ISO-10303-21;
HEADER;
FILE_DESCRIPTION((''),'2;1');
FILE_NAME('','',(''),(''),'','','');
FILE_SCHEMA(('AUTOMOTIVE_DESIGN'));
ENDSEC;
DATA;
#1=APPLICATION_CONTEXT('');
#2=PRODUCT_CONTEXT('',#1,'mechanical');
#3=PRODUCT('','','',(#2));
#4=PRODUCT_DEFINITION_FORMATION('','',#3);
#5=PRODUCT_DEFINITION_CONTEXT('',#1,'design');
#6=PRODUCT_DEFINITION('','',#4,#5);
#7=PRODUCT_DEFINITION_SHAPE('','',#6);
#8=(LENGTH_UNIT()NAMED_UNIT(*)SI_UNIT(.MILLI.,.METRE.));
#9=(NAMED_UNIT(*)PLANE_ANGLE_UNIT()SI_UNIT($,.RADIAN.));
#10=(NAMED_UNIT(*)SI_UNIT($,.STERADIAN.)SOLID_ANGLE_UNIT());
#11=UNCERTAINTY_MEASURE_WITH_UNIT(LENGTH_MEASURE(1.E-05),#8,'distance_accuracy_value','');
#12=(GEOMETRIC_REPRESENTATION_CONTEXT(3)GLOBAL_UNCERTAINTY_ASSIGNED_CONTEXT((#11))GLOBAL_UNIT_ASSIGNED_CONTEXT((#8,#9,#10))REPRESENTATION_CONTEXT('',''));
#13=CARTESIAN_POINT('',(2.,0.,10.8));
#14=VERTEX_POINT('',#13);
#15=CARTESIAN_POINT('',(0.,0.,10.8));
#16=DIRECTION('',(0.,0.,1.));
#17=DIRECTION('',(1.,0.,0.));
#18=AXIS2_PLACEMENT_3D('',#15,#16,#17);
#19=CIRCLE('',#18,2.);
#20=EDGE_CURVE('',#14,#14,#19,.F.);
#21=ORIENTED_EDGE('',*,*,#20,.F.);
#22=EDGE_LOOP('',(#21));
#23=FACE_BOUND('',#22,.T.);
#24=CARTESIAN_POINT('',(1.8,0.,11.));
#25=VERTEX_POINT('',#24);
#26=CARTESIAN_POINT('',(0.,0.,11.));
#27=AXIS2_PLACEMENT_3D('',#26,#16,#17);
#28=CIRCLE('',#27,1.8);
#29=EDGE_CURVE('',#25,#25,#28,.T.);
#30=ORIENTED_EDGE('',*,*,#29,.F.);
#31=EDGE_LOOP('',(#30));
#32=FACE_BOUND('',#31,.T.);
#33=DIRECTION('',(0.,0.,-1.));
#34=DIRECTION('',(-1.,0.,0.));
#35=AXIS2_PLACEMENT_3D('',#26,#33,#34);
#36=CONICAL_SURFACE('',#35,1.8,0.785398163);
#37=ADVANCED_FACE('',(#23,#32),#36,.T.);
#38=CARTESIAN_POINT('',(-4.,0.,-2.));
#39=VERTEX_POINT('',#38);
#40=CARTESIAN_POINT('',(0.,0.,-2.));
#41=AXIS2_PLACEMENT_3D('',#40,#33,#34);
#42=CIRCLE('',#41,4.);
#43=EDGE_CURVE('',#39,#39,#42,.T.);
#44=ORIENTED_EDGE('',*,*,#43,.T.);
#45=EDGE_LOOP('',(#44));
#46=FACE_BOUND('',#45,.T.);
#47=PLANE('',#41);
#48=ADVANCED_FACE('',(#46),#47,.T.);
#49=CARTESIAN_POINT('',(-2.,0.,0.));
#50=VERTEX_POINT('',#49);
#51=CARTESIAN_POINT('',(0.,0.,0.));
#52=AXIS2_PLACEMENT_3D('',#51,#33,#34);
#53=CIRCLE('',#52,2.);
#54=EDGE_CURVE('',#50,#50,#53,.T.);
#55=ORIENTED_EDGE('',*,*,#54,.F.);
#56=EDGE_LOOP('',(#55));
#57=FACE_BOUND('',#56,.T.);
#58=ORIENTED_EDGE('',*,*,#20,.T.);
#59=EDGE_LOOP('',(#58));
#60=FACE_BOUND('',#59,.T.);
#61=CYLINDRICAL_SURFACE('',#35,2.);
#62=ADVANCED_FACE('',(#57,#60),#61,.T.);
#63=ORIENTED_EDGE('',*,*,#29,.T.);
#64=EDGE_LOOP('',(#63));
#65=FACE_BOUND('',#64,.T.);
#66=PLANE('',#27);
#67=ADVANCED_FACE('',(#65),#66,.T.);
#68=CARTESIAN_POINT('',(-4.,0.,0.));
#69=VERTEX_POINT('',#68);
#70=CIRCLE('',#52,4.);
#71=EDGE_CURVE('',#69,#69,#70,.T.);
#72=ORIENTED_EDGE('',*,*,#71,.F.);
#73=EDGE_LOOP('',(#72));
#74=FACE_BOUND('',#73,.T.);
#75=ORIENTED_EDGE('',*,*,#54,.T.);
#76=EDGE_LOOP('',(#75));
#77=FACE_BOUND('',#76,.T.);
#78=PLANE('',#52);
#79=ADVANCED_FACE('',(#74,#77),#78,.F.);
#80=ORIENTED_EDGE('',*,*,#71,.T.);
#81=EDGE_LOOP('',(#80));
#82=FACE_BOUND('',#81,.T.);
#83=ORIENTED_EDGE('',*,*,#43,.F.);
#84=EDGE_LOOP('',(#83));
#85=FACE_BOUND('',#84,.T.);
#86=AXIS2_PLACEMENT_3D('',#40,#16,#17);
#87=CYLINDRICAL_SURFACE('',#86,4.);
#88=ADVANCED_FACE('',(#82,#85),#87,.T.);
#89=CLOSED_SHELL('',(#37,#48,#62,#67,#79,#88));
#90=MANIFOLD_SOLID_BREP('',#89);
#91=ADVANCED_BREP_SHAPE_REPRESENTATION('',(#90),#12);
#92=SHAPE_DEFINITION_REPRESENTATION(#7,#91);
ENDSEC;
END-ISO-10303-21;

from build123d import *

# Parameters (mm, degrees)
SKETCH_1_R      = 2
EXTRUDE_1_DEPTH = 11
SKETCH_2_R      = 4
EXTRUDE_2_DEPTH = 2
CHAMFER_1_SIZE  = 0.2


with BuildPart() as part:
    # 草图1 → 拉伸1 (new body)
    with BuildSketch(Plane.XY):
        Circle(SKETCH_1_R)
    extrude(amount=EXTRUDE_1_DEPTH)

    # 草图2 → 拉伸2 (add)
    with BuildSketch(Plane(origin=(0, 0, 0), x_dir=(-1, 0, 0), z_dir=(0, 0, -1))):
        Circle(SKETCH_2_R)
    extrude(amount=EXTRUDE_2_DEPTH)

    # 倒角1
    chamfer_1_edges = [part.edges().sort_by_distance(p)[0] for p in [
        (-2, 0, 11),
    ]]
    chamfer(chamfer_1_edges, length=CHAMFER_1_SIZE)


solid = part.part
